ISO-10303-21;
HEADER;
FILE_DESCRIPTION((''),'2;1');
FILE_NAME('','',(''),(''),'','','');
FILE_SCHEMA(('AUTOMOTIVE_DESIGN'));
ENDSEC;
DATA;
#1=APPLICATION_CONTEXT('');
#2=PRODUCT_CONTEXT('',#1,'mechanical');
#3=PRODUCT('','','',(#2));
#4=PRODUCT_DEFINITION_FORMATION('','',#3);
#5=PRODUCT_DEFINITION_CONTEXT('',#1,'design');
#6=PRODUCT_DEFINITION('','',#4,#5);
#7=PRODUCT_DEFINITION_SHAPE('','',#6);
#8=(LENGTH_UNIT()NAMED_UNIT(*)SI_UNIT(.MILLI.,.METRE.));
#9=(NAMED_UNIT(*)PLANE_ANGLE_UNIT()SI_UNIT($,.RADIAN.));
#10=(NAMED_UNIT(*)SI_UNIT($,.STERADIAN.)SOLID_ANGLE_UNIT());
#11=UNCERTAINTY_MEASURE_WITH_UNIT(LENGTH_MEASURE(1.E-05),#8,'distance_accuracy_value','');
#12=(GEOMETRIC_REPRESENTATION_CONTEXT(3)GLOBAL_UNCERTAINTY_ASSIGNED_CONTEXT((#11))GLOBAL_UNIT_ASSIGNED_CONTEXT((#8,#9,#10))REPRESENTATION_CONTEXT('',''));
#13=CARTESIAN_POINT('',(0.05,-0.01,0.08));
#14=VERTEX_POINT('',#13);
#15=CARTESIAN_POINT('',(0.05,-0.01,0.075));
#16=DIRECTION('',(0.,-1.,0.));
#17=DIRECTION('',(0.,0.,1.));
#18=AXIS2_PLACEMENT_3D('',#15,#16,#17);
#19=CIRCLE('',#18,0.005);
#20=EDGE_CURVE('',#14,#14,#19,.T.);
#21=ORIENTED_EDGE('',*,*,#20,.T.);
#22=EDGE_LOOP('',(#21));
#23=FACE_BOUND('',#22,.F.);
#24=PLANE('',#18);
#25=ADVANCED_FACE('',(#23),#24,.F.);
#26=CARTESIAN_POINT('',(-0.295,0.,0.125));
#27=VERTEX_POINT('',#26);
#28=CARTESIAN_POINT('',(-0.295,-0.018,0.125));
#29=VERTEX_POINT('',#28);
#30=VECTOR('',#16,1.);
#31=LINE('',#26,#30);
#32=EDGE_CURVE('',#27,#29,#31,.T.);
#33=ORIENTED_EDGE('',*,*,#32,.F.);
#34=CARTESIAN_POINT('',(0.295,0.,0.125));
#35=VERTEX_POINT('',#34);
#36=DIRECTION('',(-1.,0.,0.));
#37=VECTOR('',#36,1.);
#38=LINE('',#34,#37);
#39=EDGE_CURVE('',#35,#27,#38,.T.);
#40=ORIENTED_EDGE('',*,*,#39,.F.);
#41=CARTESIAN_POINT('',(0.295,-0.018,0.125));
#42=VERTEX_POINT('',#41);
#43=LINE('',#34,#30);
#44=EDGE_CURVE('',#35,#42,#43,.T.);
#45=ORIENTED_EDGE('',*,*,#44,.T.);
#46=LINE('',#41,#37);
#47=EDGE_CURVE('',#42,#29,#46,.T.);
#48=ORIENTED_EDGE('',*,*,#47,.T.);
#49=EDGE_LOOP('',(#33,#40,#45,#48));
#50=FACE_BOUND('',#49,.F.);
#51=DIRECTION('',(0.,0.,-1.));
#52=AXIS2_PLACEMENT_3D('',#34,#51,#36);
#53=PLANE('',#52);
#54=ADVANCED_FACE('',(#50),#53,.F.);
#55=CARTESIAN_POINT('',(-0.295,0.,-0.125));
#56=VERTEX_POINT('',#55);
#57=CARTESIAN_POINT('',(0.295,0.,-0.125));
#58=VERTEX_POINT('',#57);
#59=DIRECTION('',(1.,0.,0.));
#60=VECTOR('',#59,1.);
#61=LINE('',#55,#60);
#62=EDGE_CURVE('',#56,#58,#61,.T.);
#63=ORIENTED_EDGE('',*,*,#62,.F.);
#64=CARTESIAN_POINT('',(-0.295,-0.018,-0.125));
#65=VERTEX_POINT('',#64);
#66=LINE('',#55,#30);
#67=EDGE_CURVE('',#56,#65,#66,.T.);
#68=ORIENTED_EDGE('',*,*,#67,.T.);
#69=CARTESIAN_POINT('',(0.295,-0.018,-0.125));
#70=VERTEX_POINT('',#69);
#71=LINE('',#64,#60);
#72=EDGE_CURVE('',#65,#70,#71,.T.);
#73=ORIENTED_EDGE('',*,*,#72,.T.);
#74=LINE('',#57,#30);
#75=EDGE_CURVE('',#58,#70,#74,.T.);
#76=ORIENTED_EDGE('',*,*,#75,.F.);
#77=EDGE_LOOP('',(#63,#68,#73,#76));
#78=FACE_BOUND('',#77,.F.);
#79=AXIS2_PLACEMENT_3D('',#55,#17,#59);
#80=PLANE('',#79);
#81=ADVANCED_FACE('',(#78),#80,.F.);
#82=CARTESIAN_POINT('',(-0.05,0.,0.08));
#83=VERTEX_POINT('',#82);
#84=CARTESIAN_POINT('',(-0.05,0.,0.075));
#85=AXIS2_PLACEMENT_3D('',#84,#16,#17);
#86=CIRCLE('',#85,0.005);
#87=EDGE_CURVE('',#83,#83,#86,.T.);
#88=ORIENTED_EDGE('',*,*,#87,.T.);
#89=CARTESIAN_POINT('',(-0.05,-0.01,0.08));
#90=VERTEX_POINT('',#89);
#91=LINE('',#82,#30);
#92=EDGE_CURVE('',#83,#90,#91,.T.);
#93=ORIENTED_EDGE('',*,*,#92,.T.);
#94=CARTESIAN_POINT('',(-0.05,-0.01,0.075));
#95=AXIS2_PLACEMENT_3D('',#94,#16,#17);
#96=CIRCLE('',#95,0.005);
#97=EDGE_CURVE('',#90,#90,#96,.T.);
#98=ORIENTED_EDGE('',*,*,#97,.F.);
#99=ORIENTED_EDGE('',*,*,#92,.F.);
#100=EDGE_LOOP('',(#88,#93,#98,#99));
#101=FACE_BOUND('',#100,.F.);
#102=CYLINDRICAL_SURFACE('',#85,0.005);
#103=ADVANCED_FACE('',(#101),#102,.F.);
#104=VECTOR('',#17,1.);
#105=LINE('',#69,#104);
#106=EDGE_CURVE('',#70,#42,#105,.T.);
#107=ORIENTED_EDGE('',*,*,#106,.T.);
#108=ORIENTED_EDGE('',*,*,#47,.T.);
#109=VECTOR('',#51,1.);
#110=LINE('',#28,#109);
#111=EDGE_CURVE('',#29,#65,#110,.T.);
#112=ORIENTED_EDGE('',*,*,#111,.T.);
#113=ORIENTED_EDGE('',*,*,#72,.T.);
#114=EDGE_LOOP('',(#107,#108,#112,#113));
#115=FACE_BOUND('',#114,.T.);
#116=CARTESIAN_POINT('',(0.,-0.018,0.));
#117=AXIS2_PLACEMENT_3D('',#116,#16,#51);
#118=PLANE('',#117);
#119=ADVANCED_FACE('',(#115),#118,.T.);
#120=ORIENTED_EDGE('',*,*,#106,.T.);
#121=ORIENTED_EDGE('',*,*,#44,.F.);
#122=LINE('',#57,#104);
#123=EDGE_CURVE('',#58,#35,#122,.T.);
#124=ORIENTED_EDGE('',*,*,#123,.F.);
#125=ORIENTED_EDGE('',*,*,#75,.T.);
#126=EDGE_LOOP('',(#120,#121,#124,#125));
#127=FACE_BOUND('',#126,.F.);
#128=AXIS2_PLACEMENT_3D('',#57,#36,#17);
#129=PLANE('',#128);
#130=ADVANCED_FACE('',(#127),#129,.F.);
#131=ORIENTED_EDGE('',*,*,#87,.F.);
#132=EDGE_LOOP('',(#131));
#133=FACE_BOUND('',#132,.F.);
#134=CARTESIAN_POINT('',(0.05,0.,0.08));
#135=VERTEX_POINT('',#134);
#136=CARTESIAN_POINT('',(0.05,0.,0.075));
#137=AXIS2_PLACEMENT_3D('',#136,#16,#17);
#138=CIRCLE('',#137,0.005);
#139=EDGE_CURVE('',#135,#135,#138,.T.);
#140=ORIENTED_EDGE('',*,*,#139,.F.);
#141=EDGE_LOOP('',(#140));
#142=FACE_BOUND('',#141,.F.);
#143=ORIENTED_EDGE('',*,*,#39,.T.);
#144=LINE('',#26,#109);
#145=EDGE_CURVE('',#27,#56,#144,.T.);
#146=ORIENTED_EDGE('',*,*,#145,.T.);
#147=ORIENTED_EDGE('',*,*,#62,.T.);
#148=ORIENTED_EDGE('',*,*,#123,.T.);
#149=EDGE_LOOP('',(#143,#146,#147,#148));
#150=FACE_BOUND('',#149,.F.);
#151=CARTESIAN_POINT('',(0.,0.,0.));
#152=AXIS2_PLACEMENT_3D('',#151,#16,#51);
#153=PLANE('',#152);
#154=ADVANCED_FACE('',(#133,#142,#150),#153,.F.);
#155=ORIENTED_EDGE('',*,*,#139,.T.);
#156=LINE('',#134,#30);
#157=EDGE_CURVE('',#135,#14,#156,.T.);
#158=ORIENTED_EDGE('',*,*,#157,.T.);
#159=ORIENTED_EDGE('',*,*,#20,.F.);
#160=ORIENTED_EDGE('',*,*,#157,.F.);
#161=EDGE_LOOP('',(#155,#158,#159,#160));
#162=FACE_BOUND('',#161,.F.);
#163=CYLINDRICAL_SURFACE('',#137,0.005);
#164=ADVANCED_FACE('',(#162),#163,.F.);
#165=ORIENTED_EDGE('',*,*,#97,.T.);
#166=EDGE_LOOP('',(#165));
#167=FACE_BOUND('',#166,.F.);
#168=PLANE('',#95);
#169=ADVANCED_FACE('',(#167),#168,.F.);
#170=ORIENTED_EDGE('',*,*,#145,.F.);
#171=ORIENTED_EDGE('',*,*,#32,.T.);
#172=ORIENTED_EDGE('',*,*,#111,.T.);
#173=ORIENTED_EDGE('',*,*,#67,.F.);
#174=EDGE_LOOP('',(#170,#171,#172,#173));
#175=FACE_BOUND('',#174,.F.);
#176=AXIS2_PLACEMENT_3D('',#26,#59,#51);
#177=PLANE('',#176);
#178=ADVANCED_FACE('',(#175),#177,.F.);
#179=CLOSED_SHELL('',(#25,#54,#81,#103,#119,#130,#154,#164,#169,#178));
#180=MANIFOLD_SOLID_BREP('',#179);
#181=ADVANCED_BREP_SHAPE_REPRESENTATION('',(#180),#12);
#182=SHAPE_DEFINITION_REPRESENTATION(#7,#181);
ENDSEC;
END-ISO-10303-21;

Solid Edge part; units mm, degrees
sketch "Sketch1" plane through (0, 0, 0) normal (0, -1, 0) x (1, 0, 0)
  line L0 (-0.295, -0.125) -> (0.295, -0.125)
  line L1 (0.295, -0.125) -> (0.295, 0.125)
  line L2 (0.295, 0.125) -> (-0.295, 0.125)
  line L3 (-0.295, 0.125) -> (-0.295, -0.125)
  dimension "D1" = 0.25
  dimension "D2" = 0.59
extrude "Protrusion1" add sketch "Sketch1" along normal blind 0.018
hole "Bohrung_1" at (-0.05, 0, 0.075) direction (0, -1, 0) diameter 0.01 depth 0.01
hole "Hole1" at (0.05, 0, 0.075) direction (0, -1, 0) diameter 0.01 depth 0.01
